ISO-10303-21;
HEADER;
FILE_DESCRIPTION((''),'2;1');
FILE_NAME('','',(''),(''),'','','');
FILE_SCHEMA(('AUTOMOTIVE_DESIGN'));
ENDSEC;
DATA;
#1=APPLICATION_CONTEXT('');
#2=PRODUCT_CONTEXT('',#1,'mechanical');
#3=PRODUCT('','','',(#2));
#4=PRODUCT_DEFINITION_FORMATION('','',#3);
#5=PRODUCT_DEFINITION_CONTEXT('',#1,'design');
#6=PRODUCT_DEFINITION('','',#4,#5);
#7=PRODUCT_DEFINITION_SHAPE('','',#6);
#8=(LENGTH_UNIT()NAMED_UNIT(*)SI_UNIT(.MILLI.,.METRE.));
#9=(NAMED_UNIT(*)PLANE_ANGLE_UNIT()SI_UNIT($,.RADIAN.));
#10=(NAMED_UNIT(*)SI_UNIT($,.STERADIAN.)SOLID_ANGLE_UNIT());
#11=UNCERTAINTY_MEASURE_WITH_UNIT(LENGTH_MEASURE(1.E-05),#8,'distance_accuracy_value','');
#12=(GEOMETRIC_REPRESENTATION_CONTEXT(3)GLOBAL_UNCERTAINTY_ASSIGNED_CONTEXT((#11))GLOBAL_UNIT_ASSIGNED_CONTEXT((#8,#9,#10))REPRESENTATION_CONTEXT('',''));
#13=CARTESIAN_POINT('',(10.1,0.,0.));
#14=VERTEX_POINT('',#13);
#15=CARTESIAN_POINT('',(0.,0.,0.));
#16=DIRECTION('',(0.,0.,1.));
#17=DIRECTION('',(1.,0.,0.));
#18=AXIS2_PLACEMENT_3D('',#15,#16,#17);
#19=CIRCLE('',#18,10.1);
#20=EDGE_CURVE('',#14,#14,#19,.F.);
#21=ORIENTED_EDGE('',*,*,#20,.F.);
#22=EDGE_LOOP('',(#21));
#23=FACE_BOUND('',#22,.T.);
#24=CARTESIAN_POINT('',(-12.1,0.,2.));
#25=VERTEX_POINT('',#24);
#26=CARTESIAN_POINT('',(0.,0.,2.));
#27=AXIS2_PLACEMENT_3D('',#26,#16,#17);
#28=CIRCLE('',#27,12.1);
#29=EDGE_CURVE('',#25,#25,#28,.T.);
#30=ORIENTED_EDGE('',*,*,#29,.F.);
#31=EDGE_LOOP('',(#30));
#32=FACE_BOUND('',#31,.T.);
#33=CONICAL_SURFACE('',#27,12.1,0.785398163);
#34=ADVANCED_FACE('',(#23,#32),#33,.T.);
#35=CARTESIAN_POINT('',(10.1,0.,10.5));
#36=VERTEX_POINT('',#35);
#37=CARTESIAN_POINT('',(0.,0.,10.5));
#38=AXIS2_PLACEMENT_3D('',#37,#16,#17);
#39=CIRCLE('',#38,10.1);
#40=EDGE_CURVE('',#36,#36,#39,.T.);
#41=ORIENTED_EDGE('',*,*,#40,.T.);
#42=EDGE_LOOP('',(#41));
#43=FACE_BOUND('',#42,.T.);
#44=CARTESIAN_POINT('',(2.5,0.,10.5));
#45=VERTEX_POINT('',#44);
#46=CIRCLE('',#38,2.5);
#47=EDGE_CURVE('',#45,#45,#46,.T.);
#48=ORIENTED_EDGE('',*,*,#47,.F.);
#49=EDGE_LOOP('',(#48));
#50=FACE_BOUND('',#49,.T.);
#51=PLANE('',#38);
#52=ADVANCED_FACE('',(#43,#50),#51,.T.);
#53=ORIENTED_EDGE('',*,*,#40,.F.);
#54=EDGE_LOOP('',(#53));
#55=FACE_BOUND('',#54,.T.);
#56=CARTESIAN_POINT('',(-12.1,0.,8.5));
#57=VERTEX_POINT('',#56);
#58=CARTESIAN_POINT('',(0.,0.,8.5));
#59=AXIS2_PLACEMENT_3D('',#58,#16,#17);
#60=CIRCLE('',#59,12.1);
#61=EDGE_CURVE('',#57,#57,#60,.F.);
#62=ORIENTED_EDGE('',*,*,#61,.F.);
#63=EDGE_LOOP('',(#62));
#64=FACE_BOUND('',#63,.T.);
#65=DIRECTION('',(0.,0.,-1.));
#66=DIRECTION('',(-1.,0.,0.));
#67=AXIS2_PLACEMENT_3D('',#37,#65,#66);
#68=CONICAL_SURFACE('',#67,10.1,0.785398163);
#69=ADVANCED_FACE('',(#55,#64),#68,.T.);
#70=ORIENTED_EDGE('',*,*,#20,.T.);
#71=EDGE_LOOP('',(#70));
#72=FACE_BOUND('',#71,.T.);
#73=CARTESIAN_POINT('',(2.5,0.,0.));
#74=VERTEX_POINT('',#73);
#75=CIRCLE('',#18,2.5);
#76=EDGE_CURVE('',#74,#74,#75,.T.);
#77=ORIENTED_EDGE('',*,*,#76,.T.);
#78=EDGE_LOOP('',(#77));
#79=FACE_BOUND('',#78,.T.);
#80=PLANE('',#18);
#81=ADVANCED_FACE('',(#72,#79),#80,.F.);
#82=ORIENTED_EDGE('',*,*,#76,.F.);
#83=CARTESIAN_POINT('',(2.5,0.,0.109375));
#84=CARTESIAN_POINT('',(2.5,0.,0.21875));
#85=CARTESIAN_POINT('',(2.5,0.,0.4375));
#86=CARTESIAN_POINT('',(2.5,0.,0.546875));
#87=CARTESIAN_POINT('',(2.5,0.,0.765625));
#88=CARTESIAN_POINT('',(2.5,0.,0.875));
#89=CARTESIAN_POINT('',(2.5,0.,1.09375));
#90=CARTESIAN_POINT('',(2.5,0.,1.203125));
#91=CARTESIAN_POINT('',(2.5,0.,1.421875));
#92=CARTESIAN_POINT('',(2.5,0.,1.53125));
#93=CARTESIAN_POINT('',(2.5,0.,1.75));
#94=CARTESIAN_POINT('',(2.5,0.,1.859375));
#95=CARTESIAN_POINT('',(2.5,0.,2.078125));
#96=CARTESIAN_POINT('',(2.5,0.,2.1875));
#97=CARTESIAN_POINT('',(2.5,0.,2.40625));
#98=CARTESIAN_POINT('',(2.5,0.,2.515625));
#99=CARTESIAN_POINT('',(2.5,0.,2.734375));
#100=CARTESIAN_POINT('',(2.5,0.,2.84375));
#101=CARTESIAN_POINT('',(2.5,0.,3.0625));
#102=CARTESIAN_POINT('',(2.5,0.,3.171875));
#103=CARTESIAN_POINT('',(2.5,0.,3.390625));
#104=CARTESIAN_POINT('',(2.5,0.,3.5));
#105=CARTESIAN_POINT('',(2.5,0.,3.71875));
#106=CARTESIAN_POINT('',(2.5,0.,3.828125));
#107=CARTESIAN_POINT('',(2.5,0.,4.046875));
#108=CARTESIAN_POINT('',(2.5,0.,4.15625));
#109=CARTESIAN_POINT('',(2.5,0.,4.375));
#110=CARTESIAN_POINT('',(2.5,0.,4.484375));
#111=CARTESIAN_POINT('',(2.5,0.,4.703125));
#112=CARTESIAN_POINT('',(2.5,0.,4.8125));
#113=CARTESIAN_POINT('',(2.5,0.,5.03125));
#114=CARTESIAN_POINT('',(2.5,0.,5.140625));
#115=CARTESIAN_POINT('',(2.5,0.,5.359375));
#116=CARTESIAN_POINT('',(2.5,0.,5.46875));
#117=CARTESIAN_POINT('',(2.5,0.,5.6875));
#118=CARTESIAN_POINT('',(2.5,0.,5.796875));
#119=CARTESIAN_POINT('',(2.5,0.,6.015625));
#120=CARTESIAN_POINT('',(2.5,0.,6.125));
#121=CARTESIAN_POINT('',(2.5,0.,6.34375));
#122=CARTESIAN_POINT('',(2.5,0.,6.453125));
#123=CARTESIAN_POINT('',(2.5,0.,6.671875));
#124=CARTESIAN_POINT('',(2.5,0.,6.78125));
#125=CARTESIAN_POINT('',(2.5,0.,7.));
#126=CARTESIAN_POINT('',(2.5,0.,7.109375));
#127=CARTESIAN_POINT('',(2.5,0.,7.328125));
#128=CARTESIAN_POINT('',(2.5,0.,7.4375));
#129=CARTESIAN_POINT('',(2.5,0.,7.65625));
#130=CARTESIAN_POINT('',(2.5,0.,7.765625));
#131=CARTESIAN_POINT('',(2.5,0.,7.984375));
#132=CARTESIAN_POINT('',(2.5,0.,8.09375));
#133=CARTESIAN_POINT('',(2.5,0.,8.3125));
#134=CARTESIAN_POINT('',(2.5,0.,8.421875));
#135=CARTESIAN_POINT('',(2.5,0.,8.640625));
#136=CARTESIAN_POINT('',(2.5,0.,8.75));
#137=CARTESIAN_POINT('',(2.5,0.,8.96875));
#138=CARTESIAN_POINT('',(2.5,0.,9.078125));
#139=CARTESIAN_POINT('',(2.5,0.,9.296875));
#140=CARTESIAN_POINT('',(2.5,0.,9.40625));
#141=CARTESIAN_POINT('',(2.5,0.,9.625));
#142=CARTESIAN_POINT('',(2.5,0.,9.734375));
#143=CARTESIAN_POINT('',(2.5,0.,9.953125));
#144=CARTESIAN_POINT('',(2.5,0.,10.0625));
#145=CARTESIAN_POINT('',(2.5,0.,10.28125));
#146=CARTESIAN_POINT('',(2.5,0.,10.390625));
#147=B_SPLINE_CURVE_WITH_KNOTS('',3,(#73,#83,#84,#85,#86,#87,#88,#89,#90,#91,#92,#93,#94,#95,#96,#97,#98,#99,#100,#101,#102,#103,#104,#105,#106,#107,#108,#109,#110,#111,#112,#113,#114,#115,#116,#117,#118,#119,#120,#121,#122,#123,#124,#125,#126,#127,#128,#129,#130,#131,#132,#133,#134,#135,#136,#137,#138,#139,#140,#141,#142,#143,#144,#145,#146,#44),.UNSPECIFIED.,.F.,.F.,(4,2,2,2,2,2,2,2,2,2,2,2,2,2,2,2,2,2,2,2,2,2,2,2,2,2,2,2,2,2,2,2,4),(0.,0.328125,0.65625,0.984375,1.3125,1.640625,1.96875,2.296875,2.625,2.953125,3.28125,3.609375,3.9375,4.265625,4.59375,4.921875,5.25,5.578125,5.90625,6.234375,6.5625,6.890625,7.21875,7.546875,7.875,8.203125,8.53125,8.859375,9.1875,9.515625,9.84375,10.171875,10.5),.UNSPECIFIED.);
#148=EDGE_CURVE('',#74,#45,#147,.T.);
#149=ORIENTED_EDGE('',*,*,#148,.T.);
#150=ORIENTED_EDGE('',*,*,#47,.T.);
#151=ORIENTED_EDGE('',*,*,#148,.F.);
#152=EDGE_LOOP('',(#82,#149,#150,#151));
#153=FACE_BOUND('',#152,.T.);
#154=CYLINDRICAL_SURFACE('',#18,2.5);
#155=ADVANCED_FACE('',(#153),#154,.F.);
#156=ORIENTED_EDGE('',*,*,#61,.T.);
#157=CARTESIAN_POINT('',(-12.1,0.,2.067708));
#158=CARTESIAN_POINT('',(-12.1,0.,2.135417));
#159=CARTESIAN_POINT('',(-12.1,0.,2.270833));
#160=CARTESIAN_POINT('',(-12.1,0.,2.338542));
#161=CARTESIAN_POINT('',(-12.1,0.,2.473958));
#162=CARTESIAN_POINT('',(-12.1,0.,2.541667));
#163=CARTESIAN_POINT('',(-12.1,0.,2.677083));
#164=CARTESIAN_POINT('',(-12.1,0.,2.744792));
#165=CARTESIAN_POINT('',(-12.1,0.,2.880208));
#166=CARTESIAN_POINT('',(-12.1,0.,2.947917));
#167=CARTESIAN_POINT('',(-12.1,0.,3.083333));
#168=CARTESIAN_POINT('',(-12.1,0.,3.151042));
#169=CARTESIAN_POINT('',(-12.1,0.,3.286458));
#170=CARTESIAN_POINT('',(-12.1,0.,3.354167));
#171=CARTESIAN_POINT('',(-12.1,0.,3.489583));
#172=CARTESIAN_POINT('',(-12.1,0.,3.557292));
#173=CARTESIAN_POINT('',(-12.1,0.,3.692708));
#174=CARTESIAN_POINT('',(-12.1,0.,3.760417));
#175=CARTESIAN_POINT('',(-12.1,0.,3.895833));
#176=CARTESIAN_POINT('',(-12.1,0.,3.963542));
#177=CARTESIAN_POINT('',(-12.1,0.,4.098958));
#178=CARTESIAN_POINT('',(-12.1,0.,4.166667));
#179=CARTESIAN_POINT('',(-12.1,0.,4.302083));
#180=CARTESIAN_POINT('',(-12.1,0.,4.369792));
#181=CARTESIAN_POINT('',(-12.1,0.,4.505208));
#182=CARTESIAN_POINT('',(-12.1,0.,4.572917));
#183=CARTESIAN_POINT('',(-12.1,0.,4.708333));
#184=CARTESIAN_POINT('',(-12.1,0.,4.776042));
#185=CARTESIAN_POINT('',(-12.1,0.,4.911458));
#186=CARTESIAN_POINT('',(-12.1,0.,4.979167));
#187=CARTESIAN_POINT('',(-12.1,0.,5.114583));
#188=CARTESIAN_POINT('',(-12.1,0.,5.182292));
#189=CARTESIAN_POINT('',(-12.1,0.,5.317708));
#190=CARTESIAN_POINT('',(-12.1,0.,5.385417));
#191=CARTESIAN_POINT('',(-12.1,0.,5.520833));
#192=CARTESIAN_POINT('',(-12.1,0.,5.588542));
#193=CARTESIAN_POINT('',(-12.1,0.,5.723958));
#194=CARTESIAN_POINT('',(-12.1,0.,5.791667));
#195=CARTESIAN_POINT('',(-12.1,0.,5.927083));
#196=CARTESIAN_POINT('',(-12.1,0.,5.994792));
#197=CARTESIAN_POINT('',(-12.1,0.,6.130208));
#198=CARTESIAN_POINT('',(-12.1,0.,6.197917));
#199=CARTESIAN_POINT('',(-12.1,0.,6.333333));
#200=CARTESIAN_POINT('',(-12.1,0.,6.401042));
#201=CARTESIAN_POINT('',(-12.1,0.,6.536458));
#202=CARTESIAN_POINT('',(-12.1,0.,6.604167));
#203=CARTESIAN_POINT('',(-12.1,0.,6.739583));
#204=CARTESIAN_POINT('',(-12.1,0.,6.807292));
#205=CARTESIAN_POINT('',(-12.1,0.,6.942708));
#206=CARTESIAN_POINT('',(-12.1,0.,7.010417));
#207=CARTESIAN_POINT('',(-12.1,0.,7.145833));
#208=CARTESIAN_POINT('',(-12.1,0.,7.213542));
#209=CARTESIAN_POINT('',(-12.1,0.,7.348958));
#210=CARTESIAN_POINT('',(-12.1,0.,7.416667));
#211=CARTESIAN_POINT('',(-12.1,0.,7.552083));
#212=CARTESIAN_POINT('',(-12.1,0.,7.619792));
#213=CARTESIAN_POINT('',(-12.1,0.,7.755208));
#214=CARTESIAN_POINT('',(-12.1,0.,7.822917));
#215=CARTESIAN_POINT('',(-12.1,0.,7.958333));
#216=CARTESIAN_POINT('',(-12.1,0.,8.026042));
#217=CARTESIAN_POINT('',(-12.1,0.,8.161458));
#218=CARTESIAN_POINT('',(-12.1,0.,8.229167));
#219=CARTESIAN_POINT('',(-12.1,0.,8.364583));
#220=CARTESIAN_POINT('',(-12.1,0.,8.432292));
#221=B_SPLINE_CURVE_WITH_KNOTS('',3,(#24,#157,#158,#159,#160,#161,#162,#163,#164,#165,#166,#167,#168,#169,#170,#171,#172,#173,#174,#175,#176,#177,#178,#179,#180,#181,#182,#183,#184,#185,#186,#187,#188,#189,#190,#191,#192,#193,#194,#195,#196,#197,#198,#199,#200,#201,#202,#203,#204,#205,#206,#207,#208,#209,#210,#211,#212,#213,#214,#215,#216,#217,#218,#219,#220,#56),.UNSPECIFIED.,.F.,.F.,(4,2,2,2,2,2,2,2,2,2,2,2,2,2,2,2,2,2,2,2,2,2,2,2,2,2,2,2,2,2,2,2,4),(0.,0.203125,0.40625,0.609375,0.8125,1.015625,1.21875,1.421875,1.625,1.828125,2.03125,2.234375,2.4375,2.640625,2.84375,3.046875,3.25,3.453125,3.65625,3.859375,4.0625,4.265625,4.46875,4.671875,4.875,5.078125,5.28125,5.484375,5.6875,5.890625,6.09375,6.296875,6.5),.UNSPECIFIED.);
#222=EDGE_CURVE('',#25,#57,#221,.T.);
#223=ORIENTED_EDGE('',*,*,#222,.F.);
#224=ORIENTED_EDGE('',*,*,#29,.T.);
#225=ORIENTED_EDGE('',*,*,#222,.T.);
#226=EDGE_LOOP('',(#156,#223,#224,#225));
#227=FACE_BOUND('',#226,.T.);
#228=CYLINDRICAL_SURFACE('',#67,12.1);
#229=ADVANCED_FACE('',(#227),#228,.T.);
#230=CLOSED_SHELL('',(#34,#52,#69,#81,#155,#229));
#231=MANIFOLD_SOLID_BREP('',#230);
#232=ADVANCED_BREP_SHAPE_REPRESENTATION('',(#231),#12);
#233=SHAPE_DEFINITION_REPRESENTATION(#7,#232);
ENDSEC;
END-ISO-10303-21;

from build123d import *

# Parameters (mm, degrees)
SKETCH1_R           = 12.1
BOSS_EXTRUDE1_DEPTH = 10.5
SKETCH2_R           = 2.5
CUT_EXTRUDE1_DEPTH  = 21.076603298
CHAMFER1_SIZE       = 2


with BuildPart() as part:
    # Sketch1 → Boss-Extrude1 (new body)
    with BuildSketch(Plane.XY):
        with Locations(Location((0, 0, 0), (0, 0, 180))):
            Circle(SKETCH1_R)
    extrude(amount=BOSS_EXTRUDE1_DEPTH)

    # Sketch2 → Cut-Extrude1 (cut, through all)
    with BuildSketch(Plane.XY.offset(10.5)):
        Circle(SKETCH2_R)
    extrude(amount=-CUT_EXTRUDE1_DEPTH, mode=Mode.SUBTRACT)

    # Chamfer1
    chamfer1_edges = [part.edges().sort_by_distance(p)[0] for p in [
        (12.1, 0, 0),
        (12.1, 0, 10.5),
    ]]
    chamfer(chamfer1_edges, length=CHAMFER1_SIZE)


solid = part.part
